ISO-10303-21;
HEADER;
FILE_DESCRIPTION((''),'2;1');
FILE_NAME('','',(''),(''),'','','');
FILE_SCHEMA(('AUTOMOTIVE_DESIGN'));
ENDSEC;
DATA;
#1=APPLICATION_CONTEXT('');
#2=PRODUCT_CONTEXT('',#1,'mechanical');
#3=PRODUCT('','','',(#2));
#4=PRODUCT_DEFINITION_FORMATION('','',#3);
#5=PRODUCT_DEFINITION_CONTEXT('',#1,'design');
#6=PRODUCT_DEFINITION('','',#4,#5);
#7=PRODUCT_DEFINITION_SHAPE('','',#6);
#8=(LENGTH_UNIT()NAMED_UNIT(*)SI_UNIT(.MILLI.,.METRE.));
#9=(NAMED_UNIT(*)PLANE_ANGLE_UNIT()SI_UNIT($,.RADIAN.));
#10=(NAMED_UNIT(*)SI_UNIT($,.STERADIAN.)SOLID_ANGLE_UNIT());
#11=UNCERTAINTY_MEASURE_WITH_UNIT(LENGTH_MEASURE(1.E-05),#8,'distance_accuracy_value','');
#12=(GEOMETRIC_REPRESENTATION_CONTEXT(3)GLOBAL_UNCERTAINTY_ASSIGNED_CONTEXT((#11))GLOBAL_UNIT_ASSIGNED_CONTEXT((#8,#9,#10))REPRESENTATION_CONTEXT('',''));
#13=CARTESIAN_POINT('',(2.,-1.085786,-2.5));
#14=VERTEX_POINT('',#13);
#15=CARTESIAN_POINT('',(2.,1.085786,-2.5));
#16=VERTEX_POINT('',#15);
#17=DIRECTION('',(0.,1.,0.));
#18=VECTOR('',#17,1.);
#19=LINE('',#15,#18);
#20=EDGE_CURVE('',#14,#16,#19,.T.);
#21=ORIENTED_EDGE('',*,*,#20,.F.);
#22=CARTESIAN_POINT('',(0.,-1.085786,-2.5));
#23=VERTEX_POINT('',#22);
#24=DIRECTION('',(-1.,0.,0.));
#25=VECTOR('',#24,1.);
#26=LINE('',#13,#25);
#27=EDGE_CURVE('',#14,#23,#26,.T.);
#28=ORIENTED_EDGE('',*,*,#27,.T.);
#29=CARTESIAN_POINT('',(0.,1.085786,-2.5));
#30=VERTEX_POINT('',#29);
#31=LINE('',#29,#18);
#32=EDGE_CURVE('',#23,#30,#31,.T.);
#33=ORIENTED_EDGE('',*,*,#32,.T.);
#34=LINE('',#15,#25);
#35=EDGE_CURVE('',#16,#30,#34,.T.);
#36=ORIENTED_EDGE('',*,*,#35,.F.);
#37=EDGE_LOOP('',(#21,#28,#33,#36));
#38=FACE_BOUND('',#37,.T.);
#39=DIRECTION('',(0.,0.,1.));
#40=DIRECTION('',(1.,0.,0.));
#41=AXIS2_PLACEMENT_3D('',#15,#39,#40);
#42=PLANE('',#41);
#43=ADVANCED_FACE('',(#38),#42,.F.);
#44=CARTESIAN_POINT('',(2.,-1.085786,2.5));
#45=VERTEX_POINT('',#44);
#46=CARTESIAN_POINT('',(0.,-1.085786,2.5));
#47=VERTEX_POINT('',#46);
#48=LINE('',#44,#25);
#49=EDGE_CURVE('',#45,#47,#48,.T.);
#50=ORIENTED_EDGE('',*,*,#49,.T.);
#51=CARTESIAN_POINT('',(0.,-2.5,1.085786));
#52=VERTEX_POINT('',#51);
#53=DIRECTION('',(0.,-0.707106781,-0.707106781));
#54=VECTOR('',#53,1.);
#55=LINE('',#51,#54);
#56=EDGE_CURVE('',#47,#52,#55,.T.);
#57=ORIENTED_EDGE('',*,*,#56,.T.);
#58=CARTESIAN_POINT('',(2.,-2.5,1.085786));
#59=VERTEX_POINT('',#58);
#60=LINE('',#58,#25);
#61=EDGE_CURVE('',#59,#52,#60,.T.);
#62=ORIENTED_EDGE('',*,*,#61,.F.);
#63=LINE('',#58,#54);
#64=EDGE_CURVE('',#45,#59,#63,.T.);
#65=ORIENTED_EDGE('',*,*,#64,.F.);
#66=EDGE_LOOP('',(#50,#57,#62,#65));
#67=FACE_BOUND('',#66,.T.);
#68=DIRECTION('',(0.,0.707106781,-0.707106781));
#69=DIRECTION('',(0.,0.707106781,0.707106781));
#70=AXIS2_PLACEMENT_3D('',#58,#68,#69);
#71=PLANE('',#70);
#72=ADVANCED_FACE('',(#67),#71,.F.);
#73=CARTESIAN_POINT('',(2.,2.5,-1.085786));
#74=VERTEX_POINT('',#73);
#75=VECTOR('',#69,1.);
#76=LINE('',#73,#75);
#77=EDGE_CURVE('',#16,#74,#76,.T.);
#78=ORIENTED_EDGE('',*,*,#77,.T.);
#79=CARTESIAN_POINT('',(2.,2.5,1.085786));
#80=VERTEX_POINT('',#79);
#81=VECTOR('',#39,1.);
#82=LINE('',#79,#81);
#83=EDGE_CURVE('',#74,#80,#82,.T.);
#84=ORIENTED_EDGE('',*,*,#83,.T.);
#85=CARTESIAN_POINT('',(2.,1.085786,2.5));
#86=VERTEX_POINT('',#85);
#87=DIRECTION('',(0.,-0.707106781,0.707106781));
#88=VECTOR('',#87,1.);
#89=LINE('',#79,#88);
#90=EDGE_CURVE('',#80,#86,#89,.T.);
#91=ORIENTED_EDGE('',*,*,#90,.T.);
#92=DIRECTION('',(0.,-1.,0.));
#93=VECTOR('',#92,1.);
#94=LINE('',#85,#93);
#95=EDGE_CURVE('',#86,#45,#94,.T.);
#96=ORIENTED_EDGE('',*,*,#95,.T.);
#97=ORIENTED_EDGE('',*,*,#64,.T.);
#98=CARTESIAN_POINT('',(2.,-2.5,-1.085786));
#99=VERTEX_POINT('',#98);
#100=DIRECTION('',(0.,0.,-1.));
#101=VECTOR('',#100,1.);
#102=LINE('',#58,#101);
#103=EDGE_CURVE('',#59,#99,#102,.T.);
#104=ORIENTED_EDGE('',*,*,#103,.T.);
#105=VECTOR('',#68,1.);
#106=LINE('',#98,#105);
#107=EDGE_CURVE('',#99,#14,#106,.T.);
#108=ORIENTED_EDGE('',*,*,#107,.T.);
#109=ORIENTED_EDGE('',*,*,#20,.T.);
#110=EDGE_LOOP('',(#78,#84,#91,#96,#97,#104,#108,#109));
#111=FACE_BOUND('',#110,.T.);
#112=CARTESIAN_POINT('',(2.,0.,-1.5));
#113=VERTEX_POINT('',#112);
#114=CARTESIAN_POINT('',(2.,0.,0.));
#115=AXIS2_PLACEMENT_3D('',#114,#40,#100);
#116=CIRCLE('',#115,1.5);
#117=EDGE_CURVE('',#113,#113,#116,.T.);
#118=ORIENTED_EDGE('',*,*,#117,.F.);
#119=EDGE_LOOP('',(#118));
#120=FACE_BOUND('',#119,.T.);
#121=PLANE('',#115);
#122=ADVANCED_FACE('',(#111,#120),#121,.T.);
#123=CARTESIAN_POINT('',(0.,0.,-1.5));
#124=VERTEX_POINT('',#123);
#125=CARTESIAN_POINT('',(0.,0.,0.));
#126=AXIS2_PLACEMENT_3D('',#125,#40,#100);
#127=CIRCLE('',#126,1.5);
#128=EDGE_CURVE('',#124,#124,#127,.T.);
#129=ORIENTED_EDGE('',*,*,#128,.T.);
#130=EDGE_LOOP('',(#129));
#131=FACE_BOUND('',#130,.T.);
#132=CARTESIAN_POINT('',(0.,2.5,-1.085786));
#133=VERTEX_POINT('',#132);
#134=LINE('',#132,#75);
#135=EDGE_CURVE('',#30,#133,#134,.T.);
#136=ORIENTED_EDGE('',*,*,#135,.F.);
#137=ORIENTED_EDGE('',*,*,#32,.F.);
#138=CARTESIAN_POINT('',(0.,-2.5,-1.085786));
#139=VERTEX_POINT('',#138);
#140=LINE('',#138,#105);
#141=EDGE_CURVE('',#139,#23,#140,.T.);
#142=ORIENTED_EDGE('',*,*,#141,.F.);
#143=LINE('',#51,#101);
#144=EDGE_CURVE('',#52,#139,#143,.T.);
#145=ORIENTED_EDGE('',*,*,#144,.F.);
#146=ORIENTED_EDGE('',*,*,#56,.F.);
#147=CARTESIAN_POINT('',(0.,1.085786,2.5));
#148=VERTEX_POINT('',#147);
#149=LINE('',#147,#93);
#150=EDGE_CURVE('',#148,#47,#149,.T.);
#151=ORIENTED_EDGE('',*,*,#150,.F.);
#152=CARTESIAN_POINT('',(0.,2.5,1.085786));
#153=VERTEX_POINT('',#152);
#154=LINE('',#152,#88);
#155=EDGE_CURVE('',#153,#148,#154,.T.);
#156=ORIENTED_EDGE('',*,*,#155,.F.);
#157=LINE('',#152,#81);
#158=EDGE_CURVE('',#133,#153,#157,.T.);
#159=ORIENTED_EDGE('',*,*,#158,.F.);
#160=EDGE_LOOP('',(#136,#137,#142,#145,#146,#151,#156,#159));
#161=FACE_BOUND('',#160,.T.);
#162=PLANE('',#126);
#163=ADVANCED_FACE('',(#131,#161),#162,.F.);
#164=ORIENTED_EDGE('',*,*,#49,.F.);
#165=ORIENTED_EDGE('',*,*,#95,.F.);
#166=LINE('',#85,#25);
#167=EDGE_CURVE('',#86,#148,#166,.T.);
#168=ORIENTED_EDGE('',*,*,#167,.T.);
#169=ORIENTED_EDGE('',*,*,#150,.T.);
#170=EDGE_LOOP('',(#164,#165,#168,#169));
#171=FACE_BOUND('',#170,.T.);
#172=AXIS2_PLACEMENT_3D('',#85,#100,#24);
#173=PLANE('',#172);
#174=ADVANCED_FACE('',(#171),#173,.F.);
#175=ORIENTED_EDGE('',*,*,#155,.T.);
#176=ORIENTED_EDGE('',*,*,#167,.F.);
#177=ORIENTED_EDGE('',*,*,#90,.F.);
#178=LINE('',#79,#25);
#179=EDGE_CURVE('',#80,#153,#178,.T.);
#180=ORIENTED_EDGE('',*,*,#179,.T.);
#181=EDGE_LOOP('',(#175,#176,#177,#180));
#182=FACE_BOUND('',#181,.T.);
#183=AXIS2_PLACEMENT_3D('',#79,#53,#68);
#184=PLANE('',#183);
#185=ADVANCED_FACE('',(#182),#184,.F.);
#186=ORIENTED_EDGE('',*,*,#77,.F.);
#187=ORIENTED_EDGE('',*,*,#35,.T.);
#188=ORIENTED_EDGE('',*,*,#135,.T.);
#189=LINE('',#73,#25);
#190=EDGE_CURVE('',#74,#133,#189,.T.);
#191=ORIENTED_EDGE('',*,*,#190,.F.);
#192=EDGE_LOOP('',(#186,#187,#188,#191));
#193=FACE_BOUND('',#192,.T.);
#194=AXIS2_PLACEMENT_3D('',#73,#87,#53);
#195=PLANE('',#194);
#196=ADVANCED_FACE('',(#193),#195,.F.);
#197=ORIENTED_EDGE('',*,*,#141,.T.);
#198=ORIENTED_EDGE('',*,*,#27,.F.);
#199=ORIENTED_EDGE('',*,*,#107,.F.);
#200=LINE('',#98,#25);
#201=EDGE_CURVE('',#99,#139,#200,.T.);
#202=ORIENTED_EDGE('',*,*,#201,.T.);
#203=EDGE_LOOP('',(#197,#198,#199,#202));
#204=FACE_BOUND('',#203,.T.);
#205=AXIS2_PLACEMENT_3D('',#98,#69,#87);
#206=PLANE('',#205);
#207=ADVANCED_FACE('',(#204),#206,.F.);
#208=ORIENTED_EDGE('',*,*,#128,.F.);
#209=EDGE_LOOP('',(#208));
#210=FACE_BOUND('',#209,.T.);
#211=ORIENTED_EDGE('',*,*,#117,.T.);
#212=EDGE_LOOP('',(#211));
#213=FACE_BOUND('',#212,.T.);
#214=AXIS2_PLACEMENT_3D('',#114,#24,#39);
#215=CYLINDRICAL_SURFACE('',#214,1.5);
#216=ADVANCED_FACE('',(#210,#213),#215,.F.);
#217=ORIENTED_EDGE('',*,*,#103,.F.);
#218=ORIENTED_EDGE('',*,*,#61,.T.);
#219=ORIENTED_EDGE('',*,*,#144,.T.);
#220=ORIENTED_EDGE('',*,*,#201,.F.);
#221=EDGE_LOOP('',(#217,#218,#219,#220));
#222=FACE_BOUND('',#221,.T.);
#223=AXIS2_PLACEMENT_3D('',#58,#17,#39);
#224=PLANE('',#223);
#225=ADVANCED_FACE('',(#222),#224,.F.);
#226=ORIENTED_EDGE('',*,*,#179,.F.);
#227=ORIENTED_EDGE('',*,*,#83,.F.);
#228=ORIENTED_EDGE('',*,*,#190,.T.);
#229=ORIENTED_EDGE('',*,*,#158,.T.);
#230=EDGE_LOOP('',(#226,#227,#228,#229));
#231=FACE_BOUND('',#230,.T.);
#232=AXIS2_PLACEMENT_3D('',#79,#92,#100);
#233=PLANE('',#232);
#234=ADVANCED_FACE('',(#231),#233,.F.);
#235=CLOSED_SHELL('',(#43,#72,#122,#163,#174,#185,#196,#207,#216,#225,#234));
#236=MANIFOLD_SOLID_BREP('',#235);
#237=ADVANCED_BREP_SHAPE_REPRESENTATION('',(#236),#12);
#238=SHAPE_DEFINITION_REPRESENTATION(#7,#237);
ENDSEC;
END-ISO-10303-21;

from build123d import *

# Parameters (mm, degrees)
SKETCH1_R           = 1.5
BOSS_EXTRUDE1_DEPTH = 2


with BuildPart() as part:
    # Sketch1 → Boss-Extrude1 (new body)
    with BuildSketch(Plane(origin=(0, 0, 0), x_dir=(0, 0, -1), z_dir=(1, 0, 0))):
        Polygon((-1.085786438, 2.5), (1.085786438, 2.5), (2.5, 1.085786438), (2.5, -1.085786438), (1.085786438, -2.5), (-1.085786438, -2.5), (-2.5, -1.085786438), (-2.5, 1.085786438), align=None)
        Circle(SKETCH1_R, mode=Mode.SUBTRACT)
    extrude(amount=BOSS_EXTRUDE1_DEPTH)


solid = part.part
